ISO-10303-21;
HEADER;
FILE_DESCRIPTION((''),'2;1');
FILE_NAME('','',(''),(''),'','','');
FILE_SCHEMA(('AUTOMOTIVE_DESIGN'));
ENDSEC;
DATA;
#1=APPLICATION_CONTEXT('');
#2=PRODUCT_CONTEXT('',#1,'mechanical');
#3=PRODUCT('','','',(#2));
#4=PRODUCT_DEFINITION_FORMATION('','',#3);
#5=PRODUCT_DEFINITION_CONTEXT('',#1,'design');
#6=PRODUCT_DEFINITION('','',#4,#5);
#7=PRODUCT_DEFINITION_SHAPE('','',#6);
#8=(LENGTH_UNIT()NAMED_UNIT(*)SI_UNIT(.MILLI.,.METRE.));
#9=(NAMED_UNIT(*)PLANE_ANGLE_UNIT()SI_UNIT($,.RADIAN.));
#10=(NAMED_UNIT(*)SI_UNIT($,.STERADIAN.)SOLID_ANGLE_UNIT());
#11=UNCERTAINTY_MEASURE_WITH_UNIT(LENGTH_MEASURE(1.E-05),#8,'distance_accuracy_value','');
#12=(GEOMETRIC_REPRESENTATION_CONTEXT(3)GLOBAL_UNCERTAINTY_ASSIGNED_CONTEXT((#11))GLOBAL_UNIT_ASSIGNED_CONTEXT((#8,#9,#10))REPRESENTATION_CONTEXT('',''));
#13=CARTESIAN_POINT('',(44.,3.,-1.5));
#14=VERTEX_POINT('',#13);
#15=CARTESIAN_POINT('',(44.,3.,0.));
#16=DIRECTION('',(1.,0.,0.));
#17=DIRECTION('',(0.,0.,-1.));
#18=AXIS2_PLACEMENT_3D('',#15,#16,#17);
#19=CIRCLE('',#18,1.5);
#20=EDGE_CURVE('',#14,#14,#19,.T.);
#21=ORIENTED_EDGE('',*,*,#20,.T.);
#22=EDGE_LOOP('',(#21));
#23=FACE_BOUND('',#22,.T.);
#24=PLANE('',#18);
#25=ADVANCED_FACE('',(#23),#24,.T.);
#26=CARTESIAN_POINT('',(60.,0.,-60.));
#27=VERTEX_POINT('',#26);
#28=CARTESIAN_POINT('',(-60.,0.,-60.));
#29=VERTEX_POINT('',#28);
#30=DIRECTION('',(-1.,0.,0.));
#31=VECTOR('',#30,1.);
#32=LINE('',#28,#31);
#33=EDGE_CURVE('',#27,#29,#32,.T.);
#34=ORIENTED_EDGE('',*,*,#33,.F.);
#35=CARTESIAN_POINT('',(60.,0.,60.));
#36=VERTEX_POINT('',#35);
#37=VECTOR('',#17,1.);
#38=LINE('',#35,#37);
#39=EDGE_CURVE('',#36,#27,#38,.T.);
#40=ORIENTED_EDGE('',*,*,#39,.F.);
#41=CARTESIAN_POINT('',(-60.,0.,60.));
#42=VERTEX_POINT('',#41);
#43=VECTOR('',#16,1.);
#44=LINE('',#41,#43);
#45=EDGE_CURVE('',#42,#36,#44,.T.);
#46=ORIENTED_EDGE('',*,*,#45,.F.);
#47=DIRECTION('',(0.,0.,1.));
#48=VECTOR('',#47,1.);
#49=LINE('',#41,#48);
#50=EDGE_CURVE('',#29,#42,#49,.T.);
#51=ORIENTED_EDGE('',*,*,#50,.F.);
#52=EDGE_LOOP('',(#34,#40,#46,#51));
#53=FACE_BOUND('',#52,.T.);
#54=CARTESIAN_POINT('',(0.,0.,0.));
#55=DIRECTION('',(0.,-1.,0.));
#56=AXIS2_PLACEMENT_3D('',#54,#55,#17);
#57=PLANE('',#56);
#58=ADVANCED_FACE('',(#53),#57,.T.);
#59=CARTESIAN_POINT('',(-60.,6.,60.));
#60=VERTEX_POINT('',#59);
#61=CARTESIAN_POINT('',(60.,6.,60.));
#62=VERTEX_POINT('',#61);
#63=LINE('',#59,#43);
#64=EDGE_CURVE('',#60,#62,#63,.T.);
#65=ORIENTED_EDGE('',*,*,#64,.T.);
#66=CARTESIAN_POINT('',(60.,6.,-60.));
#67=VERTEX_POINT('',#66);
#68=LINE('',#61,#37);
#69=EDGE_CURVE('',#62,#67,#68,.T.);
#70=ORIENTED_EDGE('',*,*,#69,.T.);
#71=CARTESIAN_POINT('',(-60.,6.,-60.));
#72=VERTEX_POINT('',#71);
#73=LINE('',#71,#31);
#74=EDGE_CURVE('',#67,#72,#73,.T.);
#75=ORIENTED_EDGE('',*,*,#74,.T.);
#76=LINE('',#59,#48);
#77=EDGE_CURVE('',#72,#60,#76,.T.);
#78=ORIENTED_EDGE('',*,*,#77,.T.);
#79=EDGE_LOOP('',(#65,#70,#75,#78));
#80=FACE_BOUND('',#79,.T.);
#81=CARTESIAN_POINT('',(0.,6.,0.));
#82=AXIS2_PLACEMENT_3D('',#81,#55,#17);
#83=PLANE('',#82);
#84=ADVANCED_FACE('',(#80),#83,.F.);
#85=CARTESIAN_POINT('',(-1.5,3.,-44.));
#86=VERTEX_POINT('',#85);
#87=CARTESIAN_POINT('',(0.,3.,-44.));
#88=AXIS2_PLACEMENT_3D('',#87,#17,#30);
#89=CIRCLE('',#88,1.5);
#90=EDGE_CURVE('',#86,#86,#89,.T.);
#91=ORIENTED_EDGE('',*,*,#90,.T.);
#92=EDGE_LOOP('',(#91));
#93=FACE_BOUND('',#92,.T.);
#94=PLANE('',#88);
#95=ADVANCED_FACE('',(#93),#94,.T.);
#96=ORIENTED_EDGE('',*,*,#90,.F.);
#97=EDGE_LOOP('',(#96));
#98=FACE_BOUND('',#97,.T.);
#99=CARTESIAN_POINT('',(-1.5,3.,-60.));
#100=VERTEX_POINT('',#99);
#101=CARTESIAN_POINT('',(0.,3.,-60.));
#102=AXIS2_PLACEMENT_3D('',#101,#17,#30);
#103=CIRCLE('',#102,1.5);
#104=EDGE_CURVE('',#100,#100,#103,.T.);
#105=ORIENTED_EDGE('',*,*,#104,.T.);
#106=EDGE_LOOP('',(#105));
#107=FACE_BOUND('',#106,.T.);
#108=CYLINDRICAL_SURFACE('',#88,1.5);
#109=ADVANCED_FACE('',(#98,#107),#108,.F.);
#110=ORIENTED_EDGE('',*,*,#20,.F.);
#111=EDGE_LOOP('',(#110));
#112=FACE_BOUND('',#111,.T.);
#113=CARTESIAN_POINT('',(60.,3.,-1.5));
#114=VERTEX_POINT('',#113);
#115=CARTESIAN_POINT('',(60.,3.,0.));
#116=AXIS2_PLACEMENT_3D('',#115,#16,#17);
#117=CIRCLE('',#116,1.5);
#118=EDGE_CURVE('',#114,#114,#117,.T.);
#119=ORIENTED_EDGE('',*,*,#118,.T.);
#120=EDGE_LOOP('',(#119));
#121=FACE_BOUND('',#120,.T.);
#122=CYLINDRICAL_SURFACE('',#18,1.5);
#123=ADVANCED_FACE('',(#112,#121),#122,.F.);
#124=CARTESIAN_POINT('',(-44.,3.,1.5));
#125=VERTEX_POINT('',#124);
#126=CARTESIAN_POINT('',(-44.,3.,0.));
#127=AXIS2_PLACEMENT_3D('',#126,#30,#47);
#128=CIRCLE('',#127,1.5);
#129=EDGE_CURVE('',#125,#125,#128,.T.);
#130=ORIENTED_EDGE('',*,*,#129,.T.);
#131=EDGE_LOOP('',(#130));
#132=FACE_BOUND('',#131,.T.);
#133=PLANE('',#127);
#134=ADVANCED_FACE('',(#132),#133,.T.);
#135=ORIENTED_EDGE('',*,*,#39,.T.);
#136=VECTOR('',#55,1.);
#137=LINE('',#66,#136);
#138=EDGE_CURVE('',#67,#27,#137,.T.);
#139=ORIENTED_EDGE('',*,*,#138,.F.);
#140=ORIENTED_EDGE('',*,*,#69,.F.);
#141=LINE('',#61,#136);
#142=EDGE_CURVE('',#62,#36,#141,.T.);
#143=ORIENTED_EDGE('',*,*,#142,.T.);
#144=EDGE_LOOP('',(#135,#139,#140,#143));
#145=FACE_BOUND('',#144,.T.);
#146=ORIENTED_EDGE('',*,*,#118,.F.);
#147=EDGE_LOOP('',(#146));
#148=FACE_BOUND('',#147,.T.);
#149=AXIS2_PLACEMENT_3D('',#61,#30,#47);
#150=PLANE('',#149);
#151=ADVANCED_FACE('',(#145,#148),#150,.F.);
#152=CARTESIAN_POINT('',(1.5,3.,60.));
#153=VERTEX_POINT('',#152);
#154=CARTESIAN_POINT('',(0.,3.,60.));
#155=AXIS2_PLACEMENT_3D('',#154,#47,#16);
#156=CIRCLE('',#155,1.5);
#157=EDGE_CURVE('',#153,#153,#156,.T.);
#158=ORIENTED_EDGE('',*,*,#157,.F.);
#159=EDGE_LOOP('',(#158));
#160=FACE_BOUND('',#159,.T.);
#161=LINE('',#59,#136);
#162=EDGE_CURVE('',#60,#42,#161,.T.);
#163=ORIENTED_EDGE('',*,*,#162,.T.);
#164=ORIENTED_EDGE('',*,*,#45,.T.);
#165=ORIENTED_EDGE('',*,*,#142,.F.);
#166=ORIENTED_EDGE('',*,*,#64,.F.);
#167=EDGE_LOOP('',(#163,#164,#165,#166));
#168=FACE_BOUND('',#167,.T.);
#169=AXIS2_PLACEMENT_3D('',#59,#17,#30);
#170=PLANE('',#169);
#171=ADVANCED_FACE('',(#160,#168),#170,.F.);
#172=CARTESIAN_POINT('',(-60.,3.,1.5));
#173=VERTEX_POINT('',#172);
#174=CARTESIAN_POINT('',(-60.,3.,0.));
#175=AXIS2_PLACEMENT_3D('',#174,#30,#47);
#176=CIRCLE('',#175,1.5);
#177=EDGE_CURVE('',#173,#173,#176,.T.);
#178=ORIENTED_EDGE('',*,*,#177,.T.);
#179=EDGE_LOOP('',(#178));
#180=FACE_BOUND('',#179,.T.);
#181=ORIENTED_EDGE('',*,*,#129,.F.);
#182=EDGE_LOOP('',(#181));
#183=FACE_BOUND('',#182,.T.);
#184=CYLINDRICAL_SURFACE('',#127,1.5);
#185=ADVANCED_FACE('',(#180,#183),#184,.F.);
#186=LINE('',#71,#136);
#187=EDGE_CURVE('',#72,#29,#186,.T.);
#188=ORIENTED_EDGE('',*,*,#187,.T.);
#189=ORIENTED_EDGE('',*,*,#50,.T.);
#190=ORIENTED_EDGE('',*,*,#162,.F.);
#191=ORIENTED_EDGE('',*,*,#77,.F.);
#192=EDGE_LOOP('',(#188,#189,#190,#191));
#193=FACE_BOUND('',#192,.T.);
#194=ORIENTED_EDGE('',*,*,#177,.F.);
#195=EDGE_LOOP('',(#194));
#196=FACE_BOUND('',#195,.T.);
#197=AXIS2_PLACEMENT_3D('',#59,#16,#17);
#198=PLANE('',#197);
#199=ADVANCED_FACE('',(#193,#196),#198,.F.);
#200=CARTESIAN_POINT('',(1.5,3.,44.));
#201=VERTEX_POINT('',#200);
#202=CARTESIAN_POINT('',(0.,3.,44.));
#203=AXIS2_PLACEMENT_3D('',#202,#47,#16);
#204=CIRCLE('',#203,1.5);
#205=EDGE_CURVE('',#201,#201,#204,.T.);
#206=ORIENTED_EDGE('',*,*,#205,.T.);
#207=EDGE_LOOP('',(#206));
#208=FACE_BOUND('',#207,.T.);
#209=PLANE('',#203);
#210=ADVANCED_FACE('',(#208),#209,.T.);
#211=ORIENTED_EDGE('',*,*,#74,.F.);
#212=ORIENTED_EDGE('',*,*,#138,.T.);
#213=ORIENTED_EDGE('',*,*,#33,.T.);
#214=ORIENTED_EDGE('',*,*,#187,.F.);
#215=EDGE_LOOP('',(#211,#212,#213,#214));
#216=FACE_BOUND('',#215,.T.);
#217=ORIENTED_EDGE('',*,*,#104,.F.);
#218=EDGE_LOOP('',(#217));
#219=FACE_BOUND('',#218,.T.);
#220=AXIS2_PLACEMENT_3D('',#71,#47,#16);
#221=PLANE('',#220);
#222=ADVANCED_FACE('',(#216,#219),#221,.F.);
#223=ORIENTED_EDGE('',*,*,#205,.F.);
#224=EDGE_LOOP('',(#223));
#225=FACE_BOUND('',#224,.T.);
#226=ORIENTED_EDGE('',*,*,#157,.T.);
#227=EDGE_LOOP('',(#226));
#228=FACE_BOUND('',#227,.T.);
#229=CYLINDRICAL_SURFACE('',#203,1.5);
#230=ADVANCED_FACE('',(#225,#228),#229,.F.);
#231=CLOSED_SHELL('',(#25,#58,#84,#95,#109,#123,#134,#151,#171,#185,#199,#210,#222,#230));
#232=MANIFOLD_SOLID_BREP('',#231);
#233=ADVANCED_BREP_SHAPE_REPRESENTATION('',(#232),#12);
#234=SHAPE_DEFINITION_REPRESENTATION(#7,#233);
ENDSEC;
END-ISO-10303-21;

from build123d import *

# Parameters (mm, degrees)
SKETCH_1_W          = 120
SKETCH_1_H          = 120
EXTRUDE_1_DEPTH     = 6
SKETCH_2_R          = 1.5
CUT_EXTRUDE_1_DEPTH = 16
SKETCH_3_R          = 1.5
CUT_EXTRUDE_4_DEPTH = 16
SKETCH_4_R          = 1.5
CUT_EXTRUDE_5_DEPTH = 16
SKETCH_5_R          = 1.5
CUT_EXTRUDE_6_DEPTH = 16


with BuildPart() as part:
    # 草图1 → 凸台-拉伸1 (new body)
    with BuildSketch(Plane(origin=(0, 0, 0), x_dir=(1, 0, 0), z_dir=(0, 1, 0))):
        Rectangle(SKETCH_1_W, SKETCH_1_H)
    extrude(amount=EXTRUDE_1_DEPTH)

    # 草图2 → 切除-拉伸1 (cut)
    with BuildSketch(Plane(origin=(60, 0, 0), x_dir=(0, 0, -1), z_dir=(1, 0, 0))):
        with Locations((0, 3)):
            Circle(SKETCH_2_R)
    extrude(amount=-CUT_EXTRUDE_1_DEPTH, mode=Mode.SUBTRACT)

    # 草图3 → 切除-拉伸4 (cut)
    with BuildSketch(Plane(origin=(0, 0, -60), x_dir=(-1, 0, 0), z_dir=(0, 0, -1))):
        with Locations((0, 3)):
            Circle(SKETCH_3_R)
    extrude(amount=-CUT_EXTRUDE_4_DEPTH, mode=Mode.SUBTRACT)

    # 草图4 → 切除-拉伸5 (cut)
    with BuildSketch(Plane.ZY.offset(60)):
        with Locations((0, 3)):
            Circle(SKETCH_4_R)
    extrude(amount=-CUT_EXTRUDE_5_DEPTH, mode=Mode.SUBTRACT)

    # 草图5 → 切除-拉伸6 (cut)
    with BuildSketch(Plane.XY.offset(60)):
        with Locations((0, 3)):
            Circle(SKETCH_5_R)
    extrude(amount=-CUT_EXTRUDE_6_DEPTH, mode=Mode.SUBTRACT)


solid = part.part
